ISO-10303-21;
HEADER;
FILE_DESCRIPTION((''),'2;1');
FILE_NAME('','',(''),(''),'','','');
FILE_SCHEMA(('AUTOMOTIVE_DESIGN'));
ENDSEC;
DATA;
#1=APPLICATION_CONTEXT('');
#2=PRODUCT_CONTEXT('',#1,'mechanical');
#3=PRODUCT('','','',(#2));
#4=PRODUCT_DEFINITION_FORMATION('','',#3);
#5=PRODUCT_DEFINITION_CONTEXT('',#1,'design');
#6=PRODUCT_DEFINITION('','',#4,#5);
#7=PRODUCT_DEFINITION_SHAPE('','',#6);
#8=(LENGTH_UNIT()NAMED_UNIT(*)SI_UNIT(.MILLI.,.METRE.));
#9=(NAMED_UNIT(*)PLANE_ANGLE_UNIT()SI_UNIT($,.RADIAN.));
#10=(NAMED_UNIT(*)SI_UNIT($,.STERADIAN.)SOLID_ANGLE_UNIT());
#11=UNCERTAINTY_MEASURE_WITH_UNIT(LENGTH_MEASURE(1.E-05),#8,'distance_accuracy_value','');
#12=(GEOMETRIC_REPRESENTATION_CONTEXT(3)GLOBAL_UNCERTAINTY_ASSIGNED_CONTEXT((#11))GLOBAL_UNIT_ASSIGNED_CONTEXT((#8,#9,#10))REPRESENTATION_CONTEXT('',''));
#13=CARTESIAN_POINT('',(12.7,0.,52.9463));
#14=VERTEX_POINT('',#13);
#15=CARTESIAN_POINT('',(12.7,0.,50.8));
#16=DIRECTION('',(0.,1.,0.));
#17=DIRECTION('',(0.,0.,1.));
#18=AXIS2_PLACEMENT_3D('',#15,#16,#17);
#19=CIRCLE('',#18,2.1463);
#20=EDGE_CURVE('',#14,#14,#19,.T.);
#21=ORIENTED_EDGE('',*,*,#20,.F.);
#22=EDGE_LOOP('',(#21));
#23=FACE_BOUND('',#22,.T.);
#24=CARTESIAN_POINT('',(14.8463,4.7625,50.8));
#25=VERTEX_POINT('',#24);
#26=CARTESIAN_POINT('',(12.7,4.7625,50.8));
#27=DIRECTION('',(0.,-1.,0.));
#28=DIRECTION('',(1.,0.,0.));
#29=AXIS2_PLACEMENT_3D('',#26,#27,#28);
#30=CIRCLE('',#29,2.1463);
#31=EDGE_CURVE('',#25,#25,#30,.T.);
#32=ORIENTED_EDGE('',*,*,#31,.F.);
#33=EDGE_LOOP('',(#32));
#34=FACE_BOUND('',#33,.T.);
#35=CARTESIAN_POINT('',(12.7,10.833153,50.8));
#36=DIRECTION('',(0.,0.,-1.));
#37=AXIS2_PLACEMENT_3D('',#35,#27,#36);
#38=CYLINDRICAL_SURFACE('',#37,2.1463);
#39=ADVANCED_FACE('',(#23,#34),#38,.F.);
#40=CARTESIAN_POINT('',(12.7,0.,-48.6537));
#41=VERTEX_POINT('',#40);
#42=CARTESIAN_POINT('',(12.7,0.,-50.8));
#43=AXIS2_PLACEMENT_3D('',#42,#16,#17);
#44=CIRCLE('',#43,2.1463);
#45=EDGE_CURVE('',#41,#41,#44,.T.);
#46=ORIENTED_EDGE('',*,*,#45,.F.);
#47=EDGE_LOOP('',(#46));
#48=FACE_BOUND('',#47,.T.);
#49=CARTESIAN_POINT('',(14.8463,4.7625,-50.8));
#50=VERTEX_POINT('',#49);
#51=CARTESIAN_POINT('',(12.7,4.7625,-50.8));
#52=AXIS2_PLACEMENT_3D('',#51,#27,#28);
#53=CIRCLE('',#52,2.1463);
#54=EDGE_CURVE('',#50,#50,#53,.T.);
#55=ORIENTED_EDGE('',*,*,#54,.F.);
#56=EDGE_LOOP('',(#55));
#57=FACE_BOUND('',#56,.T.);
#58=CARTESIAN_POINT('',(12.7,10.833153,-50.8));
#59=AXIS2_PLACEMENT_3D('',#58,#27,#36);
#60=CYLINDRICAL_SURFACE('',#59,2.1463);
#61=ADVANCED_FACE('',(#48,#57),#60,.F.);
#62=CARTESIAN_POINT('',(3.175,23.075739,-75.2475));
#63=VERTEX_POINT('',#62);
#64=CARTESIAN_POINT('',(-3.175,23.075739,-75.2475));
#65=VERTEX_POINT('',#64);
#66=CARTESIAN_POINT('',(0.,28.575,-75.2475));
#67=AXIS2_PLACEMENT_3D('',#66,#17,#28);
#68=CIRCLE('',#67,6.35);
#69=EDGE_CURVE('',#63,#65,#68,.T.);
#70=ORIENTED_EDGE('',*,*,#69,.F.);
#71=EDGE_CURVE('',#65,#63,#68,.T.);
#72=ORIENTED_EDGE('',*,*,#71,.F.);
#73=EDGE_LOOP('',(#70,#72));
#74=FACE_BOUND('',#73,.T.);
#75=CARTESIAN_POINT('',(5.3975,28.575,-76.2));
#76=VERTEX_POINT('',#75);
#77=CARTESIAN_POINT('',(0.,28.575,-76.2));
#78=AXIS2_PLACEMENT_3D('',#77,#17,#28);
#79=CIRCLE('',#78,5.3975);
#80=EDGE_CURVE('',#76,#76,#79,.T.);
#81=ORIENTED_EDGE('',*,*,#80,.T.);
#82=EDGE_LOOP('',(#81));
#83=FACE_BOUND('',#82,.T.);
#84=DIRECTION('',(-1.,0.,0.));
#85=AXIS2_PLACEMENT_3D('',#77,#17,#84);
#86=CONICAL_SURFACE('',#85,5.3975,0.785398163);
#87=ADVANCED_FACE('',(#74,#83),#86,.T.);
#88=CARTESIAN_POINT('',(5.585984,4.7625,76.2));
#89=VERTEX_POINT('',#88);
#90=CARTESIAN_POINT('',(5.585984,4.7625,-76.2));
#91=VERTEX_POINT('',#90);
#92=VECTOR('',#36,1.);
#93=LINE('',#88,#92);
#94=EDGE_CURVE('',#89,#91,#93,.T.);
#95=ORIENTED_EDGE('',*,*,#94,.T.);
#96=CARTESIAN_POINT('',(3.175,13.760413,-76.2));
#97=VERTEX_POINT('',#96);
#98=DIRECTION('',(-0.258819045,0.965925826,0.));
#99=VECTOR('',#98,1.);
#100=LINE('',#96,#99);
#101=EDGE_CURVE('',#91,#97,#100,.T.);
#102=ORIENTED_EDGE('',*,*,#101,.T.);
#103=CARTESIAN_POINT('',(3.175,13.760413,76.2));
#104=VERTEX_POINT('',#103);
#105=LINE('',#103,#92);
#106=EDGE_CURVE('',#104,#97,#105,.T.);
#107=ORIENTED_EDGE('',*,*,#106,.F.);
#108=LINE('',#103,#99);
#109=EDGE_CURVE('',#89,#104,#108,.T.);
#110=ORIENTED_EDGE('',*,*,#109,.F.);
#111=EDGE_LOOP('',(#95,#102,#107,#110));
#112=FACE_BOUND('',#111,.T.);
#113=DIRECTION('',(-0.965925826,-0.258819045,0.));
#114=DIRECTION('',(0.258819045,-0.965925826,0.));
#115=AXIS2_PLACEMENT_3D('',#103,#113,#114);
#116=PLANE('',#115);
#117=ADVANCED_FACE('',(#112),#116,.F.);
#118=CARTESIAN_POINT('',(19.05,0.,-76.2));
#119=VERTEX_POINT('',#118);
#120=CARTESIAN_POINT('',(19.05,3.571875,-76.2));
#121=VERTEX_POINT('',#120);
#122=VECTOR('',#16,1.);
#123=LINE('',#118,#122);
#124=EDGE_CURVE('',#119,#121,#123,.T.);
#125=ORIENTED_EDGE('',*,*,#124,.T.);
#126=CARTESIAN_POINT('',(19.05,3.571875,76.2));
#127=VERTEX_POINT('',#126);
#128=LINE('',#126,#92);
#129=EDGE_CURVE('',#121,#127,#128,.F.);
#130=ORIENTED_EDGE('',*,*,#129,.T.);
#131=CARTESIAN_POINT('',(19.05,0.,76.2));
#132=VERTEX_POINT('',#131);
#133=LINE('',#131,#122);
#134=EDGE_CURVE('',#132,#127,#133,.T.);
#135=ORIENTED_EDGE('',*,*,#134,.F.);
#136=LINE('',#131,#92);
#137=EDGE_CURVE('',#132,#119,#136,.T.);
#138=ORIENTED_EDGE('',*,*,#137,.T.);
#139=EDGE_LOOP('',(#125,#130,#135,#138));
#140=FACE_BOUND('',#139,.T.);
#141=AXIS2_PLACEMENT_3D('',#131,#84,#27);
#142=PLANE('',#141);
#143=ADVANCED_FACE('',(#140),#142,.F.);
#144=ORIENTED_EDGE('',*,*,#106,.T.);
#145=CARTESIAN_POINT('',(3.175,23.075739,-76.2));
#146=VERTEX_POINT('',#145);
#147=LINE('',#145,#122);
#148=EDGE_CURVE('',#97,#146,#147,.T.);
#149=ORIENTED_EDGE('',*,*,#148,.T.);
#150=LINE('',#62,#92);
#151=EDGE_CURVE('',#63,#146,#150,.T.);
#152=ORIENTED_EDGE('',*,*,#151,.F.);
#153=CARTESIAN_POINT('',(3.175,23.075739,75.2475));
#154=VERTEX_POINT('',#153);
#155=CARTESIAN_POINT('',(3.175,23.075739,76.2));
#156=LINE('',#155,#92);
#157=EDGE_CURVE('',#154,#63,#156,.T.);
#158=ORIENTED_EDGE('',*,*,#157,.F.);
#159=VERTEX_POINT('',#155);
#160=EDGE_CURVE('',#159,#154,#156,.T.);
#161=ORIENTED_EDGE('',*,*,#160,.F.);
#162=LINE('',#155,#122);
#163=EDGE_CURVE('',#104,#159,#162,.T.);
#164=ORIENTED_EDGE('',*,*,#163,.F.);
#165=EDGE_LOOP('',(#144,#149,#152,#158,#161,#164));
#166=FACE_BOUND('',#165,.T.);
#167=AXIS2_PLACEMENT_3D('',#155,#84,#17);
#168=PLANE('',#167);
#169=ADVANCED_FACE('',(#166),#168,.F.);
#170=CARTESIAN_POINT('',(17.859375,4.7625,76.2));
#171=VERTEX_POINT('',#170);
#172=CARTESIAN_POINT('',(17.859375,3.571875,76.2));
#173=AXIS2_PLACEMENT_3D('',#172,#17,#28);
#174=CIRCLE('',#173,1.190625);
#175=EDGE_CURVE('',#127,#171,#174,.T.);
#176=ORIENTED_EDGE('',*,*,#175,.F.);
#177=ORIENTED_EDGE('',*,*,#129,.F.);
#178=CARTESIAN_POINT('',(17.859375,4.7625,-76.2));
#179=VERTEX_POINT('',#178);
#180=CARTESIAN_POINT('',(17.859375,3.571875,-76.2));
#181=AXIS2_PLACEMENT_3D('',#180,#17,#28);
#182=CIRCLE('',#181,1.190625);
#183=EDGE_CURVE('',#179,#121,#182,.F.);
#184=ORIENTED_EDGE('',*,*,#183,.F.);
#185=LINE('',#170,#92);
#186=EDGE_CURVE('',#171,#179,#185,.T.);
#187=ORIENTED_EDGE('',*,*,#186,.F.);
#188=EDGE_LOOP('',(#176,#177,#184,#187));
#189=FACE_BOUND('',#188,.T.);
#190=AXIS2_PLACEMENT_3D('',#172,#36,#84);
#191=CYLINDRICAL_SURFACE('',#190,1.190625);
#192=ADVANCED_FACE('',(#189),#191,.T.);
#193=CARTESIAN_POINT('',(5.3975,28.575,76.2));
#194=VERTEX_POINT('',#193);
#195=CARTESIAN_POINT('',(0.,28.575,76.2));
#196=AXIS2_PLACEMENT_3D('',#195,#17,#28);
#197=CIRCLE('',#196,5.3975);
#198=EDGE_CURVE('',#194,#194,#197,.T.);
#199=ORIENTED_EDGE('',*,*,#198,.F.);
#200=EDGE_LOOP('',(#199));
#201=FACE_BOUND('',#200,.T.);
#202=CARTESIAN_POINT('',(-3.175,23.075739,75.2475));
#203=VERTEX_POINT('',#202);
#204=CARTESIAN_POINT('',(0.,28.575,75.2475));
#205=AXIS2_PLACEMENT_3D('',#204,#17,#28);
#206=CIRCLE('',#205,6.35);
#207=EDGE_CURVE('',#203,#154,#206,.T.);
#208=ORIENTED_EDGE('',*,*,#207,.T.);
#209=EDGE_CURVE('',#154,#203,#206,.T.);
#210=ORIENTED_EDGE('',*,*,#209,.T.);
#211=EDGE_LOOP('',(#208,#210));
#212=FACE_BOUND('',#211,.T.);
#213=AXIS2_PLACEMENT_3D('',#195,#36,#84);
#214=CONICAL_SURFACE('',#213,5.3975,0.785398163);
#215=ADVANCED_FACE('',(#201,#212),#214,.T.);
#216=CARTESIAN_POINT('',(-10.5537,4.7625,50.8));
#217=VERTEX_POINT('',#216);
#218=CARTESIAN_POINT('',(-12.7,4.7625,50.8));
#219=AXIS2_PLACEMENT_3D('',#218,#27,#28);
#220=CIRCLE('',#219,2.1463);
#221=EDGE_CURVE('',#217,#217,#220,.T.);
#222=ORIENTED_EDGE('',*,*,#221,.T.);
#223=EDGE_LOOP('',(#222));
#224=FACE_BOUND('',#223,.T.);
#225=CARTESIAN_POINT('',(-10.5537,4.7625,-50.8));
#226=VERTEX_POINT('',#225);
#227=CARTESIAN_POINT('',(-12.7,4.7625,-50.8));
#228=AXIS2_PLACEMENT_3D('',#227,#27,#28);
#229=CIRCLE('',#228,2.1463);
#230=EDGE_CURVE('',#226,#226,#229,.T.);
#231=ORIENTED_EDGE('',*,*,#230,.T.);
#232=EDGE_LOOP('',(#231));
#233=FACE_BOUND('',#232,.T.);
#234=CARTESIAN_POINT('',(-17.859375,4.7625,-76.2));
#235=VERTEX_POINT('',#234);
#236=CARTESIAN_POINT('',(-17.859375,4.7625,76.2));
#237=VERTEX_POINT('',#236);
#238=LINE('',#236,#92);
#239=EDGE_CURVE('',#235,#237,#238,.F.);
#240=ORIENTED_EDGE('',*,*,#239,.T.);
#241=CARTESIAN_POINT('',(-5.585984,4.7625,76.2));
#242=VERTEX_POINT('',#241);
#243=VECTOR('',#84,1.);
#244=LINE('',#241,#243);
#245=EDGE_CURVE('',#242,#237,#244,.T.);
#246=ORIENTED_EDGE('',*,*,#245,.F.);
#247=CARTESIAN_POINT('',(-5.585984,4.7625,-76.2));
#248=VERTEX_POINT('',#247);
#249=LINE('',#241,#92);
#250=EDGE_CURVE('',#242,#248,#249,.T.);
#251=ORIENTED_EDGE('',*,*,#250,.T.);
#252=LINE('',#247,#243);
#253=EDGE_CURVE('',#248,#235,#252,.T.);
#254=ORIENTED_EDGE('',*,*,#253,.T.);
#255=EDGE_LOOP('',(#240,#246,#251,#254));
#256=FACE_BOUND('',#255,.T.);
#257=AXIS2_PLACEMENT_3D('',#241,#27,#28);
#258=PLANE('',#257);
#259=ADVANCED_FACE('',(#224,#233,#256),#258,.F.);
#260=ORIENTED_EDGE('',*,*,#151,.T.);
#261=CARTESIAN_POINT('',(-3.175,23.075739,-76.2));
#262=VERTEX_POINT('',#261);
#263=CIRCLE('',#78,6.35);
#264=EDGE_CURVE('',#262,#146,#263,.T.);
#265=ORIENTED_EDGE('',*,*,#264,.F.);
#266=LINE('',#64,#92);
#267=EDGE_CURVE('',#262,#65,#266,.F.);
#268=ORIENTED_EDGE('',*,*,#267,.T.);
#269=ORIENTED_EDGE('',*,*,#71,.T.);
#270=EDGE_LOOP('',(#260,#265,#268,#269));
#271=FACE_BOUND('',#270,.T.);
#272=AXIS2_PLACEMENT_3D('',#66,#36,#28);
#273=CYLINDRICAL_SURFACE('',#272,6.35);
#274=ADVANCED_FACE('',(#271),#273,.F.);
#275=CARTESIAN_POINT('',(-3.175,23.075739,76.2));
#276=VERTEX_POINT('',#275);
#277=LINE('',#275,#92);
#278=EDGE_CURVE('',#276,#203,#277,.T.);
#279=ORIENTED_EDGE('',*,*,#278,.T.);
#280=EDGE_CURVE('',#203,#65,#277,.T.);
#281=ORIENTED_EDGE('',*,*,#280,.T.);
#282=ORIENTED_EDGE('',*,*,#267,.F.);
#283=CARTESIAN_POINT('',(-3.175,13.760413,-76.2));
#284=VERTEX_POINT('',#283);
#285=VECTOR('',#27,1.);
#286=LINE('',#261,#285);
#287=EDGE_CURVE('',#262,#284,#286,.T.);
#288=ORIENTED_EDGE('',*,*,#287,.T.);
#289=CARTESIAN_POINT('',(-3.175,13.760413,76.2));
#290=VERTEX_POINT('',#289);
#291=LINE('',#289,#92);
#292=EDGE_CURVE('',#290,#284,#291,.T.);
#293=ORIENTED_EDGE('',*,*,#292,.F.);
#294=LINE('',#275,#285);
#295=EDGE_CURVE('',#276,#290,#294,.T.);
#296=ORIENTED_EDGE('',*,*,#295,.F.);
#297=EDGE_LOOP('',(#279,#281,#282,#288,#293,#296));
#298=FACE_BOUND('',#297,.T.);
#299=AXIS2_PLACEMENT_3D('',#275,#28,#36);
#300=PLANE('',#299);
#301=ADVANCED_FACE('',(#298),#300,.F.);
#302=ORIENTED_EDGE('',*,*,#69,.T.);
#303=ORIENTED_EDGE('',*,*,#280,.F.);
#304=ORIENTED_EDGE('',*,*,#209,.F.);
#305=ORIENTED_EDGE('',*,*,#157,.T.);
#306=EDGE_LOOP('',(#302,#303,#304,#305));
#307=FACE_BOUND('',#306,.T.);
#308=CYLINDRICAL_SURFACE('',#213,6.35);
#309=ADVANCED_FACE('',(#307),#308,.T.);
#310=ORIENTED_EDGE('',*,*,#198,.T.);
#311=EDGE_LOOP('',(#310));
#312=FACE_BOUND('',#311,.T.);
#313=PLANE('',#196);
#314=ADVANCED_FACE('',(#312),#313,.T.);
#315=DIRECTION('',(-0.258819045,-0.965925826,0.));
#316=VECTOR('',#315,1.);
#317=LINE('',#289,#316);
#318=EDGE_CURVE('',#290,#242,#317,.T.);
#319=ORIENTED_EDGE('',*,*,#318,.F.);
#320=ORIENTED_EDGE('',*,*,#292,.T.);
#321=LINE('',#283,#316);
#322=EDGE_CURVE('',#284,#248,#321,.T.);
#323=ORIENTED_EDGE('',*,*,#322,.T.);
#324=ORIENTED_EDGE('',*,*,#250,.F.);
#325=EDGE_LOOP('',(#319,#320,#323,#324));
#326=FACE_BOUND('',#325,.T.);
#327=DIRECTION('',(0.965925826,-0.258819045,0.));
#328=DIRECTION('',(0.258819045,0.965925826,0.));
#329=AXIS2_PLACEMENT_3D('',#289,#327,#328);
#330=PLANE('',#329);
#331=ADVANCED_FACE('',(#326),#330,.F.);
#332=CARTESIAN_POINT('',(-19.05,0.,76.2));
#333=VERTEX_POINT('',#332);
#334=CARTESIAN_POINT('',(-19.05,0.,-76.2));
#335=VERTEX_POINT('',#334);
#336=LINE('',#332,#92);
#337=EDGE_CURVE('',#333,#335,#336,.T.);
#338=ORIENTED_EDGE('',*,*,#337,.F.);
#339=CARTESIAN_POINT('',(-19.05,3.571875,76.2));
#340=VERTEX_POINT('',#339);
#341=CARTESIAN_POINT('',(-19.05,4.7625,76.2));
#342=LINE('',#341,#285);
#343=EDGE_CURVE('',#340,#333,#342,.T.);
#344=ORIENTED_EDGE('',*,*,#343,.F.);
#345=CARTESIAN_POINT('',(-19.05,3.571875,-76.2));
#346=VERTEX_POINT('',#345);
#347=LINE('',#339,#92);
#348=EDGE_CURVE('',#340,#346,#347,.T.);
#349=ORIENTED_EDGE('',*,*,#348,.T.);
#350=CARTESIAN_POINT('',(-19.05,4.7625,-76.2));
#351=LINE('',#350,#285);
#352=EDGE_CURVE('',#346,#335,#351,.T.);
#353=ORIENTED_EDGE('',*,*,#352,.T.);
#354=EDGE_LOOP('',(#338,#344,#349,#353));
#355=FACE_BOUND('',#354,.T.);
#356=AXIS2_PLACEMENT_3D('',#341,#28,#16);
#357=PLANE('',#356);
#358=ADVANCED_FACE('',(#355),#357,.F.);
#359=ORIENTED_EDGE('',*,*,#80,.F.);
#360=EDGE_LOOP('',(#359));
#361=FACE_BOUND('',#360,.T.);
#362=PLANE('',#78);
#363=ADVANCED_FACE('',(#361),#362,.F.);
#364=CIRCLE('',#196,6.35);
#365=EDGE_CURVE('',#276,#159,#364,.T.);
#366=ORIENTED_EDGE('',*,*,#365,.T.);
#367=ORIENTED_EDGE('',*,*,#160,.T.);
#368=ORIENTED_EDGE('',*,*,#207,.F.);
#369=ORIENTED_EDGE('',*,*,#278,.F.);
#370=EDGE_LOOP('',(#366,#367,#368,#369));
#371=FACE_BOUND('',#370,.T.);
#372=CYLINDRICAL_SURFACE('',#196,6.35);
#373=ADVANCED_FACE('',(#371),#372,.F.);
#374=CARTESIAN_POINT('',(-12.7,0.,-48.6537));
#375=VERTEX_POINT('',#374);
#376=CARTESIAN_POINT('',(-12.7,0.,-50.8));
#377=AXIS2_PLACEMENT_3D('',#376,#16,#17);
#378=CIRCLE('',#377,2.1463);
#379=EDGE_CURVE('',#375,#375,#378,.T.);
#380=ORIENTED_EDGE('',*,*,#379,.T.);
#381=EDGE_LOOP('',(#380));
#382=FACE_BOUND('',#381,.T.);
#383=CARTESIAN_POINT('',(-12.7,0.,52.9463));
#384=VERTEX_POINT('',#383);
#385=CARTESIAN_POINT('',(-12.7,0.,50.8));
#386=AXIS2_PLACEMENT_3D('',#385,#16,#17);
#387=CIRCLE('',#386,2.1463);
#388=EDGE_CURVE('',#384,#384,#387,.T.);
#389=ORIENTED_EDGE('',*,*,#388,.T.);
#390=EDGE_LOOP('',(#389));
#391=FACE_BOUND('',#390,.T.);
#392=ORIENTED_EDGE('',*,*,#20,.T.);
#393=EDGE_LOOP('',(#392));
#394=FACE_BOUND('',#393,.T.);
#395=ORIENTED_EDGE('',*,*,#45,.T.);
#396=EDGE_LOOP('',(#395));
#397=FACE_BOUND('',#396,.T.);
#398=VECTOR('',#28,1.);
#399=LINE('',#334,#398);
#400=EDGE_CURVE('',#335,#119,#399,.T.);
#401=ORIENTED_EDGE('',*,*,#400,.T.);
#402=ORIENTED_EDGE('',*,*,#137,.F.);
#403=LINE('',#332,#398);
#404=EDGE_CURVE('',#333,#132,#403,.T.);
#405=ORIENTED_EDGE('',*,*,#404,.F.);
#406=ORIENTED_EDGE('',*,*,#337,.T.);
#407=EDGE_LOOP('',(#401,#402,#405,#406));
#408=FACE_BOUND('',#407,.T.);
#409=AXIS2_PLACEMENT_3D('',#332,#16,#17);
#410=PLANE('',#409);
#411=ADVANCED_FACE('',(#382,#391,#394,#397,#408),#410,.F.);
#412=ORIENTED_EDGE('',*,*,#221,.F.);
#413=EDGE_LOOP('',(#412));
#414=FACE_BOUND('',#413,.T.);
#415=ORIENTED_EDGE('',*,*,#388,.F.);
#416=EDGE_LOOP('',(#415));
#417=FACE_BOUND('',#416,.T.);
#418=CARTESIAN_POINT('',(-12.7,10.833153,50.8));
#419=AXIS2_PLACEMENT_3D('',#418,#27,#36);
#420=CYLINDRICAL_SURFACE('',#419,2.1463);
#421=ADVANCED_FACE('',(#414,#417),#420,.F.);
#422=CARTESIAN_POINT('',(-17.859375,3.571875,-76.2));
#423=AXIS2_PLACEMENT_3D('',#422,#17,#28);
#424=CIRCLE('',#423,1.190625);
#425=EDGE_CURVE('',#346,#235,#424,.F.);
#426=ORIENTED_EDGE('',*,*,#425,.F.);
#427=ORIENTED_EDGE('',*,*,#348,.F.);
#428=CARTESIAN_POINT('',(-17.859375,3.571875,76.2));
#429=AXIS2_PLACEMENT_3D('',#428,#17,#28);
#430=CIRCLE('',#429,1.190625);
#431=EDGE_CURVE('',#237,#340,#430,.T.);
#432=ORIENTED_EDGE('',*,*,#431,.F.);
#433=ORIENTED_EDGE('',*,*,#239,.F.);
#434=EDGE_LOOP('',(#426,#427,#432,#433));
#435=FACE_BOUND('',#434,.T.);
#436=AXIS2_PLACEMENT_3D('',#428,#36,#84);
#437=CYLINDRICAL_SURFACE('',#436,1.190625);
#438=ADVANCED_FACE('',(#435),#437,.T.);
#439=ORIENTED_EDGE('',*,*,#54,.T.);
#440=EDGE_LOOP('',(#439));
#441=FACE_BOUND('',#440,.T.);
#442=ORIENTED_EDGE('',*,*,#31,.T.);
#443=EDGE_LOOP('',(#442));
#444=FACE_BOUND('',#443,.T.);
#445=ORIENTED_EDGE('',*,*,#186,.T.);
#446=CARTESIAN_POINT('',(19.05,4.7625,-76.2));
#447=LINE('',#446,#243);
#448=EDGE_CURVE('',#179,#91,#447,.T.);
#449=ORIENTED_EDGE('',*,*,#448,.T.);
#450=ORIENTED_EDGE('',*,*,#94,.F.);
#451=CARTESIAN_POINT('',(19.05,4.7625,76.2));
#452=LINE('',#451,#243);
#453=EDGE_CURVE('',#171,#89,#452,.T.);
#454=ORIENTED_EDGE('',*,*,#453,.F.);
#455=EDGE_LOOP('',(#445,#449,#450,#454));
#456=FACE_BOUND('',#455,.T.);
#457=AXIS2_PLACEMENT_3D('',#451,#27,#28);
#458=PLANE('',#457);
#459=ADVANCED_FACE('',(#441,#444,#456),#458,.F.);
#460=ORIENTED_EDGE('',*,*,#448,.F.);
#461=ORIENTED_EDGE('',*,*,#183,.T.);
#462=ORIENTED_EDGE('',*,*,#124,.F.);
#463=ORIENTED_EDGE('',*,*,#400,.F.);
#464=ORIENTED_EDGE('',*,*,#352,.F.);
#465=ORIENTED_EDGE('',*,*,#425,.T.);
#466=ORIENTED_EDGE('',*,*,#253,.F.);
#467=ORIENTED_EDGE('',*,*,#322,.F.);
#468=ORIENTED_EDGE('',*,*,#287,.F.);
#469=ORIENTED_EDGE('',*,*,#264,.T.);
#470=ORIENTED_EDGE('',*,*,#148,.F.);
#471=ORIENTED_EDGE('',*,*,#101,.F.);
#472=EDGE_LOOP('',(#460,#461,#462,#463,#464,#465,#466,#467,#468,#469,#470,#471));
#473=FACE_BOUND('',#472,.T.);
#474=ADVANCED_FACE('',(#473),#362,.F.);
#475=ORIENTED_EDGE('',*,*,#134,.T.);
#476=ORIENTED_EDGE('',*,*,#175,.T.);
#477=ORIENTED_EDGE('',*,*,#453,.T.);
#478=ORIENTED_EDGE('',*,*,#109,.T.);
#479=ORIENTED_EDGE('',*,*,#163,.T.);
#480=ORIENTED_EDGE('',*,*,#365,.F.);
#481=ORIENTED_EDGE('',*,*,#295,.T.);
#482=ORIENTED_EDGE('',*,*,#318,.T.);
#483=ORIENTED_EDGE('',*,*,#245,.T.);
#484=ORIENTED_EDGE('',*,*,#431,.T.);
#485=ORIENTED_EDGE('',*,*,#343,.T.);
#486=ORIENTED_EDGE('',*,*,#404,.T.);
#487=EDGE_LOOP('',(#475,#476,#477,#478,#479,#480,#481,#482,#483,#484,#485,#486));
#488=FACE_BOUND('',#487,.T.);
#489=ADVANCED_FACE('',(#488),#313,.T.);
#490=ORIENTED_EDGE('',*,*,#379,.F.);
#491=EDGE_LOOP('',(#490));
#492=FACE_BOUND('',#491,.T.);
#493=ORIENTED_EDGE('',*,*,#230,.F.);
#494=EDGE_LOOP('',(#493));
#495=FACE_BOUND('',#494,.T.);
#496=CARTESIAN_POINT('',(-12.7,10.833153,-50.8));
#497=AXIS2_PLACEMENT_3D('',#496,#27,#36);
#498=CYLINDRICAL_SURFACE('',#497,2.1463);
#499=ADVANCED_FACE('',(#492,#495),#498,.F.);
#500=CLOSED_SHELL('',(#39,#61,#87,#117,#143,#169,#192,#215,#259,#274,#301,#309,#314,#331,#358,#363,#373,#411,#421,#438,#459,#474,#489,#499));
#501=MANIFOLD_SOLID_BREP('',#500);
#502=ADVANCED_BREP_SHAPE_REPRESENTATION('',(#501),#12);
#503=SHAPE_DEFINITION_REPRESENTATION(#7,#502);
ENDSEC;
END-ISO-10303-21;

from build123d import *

# Parameters (mm, degrees)
EXTRUDE1_DEPTH  = 76.2
FILLET1_R       = 1.190625
SKETCH4_R       = 2.1463
EXTRUDE3_DEPTH  = 4.7625
LPATTERN1_COUNT = 19
LPATTERN1_PITCH = 101.6


with BuildPart() as part:
    # Sketch1 → Extrude1 (new body, symmetric)
    with BuildSketch(Plane.XY):
        with BuildLine():
            Line((-19.05, 0), (19.05, 0))
            Line((19.05, 0), (19.05, 4.7625))
            Line((19.05, 4.7625), (5.585983612, 4.7625))
            Line((5.585983612, 4.7625), (3.175, 13.760413336))
            Line((3.175, 13.760413336), (3.175, 23.075738686))
            ThreePointArc((3.175, 23.075738686), (0, 34.925), (-3.175, 23.075738686))
            Line((-3.175, 23.075738686), (-3.175, 13.760413336))
            Line((-3.175, 13.760413336), (-5.585983612, 4.7625))
            Line((-5.585983612, 4.7625), (-19.05, 4.7625))
            Line((-19.05, 4.7625), (-19.05, 0))
        make_face()
    extrude(amount=EXTRUDE1_DEPTH, both=True)

    # Sketch3 → Cut-Revolve1 (revolve, cut)
    with BuildSketch(Plane(origin=(0, 0, 0), x_dir=(0, 0, -1), z_dir=(1, 0, 0))):
        Polygon((-76.2, 33.9725), (-75.2475, 34.925), (-76.2, 34.925), align=None)
    cut_revolve1 = revolve(axis=Axis((0, 28.575, 76.2), (0, 0, -1)), mode=Mode.SUBTRACT)

    # Mirror1: Cut-Revolve1 across plane
    add(cut_revolve1.mirror(Plane.XY), mode=Mode.SUBTRACT)

    # Fillet1
    fillet1_edges = [part.edges().sort_by_distance(p)[0] for p in [
        (-19.05, 4.7625, 0),
        (19.05, 4.7625, 0),
    ]]
    fillet(fillet1_edges, radius=FILLET1_R)

    # Sketch4 → Extrude3 (cut)
    with BuildSketch(Plane(origin=(0, 0, 0), x_dir=(1, 0, 0), z_dir=(0, 1, 0))):
        with Locations((12.7, -50.8)):
            Circle(SKETCH4_R)
        with Locations((-12.7, -50.8)):
            Circle(SKETCH4_R)
    extrude3 = extrude(amount=EXTRUDE3_DEPTH, mode=Mode.SUBTRACT)

    # LPattern1: Extrude3 ×19
    with Locations(*[(0, 0, -i * LPATTERN1_PITCH) for i in range(1, LPATTERN1_COUNT)]):
        add(extrude3, mode=Mode.SUBTRACT)


solid = part.part
